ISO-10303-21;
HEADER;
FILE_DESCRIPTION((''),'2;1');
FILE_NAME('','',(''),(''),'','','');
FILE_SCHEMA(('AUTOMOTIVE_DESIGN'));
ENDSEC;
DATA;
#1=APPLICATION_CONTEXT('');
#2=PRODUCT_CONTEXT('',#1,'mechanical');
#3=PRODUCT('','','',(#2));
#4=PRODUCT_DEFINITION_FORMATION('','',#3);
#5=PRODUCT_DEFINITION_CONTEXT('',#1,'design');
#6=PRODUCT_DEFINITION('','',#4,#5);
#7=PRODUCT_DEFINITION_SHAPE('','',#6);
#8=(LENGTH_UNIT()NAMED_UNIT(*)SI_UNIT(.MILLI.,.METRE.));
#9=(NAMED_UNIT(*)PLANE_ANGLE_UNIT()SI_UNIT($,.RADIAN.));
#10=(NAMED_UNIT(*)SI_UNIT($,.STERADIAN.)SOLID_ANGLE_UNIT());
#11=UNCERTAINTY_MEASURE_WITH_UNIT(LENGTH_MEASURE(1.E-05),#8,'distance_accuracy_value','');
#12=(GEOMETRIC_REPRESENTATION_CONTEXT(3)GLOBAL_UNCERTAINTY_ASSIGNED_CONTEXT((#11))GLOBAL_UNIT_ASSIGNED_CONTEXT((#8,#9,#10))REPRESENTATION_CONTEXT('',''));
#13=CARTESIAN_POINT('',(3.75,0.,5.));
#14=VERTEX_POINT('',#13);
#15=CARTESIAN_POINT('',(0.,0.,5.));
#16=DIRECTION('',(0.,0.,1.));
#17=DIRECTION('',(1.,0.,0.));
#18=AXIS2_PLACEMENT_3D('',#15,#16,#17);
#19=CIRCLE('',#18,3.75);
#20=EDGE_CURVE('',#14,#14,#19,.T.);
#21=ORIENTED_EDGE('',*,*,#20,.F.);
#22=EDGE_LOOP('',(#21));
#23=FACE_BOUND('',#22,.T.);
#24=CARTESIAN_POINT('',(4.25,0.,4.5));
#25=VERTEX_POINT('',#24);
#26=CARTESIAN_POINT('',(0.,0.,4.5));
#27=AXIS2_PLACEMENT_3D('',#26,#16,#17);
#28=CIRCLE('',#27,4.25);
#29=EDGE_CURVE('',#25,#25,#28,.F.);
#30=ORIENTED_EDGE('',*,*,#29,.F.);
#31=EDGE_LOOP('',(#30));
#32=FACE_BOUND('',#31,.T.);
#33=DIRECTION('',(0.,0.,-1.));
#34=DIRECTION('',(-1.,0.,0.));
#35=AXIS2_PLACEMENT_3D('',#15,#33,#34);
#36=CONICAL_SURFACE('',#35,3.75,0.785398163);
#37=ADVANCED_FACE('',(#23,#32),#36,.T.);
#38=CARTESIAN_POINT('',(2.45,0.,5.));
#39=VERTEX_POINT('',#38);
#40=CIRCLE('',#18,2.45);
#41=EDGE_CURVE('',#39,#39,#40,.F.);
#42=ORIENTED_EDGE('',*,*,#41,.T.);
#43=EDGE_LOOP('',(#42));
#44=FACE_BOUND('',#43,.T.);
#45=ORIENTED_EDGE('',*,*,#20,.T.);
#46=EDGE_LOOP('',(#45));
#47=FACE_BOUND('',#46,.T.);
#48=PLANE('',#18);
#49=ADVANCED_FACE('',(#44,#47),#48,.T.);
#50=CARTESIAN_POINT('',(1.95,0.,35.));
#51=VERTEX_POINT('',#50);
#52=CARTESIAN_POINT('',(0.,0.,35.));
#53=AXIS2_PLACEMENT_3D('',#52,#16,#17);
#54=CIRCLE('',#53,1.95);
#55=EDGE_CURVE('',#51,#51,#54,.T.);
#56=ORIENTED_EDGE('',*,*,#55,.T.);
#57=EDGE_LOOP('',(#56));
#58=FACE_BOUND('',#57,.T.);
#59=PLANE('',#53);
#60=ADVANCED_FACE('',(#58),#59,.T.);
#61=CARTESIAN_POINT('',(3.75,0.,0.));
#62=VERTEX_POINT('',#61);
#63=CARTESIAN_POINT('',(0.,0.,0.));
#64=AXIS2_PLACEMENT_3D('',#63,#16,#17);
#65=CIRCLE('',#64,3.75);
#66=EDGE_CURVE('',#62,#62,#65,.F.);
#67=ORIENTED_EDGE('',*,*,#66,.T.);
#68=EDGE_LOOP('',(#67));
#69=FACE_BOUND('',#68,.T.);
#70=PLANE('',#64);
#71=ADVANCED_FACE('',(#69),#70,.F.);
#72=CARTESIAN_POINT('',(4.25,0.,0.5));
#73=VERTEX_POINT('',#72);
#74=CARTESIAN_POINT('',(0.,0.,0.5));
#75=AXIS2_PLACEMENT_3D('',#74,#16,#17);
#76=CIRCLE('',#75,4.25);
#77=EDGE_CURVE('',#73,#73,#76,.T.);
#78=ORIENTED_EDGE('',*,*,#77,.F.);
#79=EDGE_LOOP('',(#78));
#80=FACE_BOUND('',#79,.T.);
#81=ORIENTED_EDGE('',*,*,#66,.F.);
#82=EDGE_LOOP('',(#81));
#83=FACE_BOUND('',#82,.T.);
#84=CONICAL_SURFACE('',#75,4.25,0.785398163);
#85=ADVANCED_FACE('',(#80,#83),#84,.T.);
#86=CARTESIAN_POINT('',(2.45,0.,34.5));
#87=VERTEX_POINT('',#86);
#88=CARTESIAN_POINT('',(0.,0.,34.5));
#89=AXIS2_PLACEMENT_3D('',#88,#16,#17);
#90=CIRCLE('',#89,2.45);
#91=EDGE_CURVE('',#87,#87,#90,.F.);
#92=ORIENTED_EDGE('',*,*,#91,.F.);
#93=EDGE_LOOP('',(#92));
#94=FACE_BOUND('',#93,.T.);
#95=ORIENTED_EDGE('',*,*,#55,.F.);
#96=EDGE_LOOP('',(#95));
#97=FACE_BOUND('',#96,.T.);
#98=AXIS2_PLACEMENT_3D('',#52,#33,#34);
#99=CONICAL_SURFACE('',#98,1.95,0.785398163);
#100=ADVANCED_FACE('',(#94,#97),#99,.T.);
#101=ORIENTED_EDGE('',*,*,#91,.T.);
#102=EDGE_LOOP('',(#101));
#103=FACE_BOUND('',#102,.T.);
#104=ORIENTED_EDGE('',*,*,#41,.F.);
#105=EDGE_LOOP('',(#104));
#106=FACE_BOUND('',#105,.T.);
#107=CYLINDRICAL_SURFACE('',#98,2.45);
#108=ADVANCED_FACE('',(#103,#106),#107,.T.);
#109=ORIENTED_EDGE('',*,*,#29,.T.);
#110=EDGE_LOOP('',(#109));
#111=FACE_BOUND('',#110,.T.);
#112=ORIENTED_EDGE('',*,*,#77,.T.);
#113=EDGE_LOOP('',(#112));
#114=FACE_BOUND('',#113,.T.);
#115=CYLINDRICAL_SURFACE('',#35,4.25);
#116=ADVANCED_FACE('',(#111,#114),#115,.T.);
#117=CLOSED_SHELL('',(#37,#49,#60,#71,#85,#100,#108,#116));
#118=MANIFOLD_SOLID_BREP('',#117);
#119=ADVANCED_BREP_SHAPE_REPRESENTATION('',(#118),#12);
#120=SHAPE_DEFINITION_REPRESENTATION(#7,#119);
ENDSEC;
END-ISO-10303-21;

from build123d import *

# Parameters (mm, degrees)
SKIZZE1_R                       = 4.25
SKIZZE1_R_2                     = 2.45
AUFSATZ_LINEAR_AUSTRAGEN1_DEPTH = 5
SKIZZE1_3_R                     = 2.45
AUFSATZ_LINEAR_AUSTRAGEN2_DEPTH = 35
FASE1_SIZE                      = 0.5


with BuildPart() as part:
    # Skizze1 → Aufsatz-Linear austragen1 (new body)
    # profile 1 of 2: a face of its own
    with BuildSketch(Plane.XY):
        Circle(SKIZZE1_R)
        Circle(SKIZZE1_R_2, mode=Mode.SUBTRACT)
    # profile 2 of 2: a face of its own
    with BuildSketch(Plane.XY):
        Circle(SKIZZE1_R_2)
    extrude(amount=AUFSATZ_LINEAR_AUSTRAGEN1_DEPTH)

    # Skizze1<3> → Aufsatz-Linear austragen2 (add)
    with BuildSketch(Plane.XY):
        Circle(SKIZZE1_3_R)
    extrude(amount=AUFSATZ_LINEAR_AUSTRAGEN2_DEPTH)

    # Fase1
    fase1_edges = [part.edges().sort_by_distance(p)[0] for p in [
        (-4.25, 0, 0),
        (-4.25, 0, 5),
        (-2.45, 0, 35),
    ]]
    chamfer(fase1_edges, length=FASE1_SIZE)


solid = part.part
